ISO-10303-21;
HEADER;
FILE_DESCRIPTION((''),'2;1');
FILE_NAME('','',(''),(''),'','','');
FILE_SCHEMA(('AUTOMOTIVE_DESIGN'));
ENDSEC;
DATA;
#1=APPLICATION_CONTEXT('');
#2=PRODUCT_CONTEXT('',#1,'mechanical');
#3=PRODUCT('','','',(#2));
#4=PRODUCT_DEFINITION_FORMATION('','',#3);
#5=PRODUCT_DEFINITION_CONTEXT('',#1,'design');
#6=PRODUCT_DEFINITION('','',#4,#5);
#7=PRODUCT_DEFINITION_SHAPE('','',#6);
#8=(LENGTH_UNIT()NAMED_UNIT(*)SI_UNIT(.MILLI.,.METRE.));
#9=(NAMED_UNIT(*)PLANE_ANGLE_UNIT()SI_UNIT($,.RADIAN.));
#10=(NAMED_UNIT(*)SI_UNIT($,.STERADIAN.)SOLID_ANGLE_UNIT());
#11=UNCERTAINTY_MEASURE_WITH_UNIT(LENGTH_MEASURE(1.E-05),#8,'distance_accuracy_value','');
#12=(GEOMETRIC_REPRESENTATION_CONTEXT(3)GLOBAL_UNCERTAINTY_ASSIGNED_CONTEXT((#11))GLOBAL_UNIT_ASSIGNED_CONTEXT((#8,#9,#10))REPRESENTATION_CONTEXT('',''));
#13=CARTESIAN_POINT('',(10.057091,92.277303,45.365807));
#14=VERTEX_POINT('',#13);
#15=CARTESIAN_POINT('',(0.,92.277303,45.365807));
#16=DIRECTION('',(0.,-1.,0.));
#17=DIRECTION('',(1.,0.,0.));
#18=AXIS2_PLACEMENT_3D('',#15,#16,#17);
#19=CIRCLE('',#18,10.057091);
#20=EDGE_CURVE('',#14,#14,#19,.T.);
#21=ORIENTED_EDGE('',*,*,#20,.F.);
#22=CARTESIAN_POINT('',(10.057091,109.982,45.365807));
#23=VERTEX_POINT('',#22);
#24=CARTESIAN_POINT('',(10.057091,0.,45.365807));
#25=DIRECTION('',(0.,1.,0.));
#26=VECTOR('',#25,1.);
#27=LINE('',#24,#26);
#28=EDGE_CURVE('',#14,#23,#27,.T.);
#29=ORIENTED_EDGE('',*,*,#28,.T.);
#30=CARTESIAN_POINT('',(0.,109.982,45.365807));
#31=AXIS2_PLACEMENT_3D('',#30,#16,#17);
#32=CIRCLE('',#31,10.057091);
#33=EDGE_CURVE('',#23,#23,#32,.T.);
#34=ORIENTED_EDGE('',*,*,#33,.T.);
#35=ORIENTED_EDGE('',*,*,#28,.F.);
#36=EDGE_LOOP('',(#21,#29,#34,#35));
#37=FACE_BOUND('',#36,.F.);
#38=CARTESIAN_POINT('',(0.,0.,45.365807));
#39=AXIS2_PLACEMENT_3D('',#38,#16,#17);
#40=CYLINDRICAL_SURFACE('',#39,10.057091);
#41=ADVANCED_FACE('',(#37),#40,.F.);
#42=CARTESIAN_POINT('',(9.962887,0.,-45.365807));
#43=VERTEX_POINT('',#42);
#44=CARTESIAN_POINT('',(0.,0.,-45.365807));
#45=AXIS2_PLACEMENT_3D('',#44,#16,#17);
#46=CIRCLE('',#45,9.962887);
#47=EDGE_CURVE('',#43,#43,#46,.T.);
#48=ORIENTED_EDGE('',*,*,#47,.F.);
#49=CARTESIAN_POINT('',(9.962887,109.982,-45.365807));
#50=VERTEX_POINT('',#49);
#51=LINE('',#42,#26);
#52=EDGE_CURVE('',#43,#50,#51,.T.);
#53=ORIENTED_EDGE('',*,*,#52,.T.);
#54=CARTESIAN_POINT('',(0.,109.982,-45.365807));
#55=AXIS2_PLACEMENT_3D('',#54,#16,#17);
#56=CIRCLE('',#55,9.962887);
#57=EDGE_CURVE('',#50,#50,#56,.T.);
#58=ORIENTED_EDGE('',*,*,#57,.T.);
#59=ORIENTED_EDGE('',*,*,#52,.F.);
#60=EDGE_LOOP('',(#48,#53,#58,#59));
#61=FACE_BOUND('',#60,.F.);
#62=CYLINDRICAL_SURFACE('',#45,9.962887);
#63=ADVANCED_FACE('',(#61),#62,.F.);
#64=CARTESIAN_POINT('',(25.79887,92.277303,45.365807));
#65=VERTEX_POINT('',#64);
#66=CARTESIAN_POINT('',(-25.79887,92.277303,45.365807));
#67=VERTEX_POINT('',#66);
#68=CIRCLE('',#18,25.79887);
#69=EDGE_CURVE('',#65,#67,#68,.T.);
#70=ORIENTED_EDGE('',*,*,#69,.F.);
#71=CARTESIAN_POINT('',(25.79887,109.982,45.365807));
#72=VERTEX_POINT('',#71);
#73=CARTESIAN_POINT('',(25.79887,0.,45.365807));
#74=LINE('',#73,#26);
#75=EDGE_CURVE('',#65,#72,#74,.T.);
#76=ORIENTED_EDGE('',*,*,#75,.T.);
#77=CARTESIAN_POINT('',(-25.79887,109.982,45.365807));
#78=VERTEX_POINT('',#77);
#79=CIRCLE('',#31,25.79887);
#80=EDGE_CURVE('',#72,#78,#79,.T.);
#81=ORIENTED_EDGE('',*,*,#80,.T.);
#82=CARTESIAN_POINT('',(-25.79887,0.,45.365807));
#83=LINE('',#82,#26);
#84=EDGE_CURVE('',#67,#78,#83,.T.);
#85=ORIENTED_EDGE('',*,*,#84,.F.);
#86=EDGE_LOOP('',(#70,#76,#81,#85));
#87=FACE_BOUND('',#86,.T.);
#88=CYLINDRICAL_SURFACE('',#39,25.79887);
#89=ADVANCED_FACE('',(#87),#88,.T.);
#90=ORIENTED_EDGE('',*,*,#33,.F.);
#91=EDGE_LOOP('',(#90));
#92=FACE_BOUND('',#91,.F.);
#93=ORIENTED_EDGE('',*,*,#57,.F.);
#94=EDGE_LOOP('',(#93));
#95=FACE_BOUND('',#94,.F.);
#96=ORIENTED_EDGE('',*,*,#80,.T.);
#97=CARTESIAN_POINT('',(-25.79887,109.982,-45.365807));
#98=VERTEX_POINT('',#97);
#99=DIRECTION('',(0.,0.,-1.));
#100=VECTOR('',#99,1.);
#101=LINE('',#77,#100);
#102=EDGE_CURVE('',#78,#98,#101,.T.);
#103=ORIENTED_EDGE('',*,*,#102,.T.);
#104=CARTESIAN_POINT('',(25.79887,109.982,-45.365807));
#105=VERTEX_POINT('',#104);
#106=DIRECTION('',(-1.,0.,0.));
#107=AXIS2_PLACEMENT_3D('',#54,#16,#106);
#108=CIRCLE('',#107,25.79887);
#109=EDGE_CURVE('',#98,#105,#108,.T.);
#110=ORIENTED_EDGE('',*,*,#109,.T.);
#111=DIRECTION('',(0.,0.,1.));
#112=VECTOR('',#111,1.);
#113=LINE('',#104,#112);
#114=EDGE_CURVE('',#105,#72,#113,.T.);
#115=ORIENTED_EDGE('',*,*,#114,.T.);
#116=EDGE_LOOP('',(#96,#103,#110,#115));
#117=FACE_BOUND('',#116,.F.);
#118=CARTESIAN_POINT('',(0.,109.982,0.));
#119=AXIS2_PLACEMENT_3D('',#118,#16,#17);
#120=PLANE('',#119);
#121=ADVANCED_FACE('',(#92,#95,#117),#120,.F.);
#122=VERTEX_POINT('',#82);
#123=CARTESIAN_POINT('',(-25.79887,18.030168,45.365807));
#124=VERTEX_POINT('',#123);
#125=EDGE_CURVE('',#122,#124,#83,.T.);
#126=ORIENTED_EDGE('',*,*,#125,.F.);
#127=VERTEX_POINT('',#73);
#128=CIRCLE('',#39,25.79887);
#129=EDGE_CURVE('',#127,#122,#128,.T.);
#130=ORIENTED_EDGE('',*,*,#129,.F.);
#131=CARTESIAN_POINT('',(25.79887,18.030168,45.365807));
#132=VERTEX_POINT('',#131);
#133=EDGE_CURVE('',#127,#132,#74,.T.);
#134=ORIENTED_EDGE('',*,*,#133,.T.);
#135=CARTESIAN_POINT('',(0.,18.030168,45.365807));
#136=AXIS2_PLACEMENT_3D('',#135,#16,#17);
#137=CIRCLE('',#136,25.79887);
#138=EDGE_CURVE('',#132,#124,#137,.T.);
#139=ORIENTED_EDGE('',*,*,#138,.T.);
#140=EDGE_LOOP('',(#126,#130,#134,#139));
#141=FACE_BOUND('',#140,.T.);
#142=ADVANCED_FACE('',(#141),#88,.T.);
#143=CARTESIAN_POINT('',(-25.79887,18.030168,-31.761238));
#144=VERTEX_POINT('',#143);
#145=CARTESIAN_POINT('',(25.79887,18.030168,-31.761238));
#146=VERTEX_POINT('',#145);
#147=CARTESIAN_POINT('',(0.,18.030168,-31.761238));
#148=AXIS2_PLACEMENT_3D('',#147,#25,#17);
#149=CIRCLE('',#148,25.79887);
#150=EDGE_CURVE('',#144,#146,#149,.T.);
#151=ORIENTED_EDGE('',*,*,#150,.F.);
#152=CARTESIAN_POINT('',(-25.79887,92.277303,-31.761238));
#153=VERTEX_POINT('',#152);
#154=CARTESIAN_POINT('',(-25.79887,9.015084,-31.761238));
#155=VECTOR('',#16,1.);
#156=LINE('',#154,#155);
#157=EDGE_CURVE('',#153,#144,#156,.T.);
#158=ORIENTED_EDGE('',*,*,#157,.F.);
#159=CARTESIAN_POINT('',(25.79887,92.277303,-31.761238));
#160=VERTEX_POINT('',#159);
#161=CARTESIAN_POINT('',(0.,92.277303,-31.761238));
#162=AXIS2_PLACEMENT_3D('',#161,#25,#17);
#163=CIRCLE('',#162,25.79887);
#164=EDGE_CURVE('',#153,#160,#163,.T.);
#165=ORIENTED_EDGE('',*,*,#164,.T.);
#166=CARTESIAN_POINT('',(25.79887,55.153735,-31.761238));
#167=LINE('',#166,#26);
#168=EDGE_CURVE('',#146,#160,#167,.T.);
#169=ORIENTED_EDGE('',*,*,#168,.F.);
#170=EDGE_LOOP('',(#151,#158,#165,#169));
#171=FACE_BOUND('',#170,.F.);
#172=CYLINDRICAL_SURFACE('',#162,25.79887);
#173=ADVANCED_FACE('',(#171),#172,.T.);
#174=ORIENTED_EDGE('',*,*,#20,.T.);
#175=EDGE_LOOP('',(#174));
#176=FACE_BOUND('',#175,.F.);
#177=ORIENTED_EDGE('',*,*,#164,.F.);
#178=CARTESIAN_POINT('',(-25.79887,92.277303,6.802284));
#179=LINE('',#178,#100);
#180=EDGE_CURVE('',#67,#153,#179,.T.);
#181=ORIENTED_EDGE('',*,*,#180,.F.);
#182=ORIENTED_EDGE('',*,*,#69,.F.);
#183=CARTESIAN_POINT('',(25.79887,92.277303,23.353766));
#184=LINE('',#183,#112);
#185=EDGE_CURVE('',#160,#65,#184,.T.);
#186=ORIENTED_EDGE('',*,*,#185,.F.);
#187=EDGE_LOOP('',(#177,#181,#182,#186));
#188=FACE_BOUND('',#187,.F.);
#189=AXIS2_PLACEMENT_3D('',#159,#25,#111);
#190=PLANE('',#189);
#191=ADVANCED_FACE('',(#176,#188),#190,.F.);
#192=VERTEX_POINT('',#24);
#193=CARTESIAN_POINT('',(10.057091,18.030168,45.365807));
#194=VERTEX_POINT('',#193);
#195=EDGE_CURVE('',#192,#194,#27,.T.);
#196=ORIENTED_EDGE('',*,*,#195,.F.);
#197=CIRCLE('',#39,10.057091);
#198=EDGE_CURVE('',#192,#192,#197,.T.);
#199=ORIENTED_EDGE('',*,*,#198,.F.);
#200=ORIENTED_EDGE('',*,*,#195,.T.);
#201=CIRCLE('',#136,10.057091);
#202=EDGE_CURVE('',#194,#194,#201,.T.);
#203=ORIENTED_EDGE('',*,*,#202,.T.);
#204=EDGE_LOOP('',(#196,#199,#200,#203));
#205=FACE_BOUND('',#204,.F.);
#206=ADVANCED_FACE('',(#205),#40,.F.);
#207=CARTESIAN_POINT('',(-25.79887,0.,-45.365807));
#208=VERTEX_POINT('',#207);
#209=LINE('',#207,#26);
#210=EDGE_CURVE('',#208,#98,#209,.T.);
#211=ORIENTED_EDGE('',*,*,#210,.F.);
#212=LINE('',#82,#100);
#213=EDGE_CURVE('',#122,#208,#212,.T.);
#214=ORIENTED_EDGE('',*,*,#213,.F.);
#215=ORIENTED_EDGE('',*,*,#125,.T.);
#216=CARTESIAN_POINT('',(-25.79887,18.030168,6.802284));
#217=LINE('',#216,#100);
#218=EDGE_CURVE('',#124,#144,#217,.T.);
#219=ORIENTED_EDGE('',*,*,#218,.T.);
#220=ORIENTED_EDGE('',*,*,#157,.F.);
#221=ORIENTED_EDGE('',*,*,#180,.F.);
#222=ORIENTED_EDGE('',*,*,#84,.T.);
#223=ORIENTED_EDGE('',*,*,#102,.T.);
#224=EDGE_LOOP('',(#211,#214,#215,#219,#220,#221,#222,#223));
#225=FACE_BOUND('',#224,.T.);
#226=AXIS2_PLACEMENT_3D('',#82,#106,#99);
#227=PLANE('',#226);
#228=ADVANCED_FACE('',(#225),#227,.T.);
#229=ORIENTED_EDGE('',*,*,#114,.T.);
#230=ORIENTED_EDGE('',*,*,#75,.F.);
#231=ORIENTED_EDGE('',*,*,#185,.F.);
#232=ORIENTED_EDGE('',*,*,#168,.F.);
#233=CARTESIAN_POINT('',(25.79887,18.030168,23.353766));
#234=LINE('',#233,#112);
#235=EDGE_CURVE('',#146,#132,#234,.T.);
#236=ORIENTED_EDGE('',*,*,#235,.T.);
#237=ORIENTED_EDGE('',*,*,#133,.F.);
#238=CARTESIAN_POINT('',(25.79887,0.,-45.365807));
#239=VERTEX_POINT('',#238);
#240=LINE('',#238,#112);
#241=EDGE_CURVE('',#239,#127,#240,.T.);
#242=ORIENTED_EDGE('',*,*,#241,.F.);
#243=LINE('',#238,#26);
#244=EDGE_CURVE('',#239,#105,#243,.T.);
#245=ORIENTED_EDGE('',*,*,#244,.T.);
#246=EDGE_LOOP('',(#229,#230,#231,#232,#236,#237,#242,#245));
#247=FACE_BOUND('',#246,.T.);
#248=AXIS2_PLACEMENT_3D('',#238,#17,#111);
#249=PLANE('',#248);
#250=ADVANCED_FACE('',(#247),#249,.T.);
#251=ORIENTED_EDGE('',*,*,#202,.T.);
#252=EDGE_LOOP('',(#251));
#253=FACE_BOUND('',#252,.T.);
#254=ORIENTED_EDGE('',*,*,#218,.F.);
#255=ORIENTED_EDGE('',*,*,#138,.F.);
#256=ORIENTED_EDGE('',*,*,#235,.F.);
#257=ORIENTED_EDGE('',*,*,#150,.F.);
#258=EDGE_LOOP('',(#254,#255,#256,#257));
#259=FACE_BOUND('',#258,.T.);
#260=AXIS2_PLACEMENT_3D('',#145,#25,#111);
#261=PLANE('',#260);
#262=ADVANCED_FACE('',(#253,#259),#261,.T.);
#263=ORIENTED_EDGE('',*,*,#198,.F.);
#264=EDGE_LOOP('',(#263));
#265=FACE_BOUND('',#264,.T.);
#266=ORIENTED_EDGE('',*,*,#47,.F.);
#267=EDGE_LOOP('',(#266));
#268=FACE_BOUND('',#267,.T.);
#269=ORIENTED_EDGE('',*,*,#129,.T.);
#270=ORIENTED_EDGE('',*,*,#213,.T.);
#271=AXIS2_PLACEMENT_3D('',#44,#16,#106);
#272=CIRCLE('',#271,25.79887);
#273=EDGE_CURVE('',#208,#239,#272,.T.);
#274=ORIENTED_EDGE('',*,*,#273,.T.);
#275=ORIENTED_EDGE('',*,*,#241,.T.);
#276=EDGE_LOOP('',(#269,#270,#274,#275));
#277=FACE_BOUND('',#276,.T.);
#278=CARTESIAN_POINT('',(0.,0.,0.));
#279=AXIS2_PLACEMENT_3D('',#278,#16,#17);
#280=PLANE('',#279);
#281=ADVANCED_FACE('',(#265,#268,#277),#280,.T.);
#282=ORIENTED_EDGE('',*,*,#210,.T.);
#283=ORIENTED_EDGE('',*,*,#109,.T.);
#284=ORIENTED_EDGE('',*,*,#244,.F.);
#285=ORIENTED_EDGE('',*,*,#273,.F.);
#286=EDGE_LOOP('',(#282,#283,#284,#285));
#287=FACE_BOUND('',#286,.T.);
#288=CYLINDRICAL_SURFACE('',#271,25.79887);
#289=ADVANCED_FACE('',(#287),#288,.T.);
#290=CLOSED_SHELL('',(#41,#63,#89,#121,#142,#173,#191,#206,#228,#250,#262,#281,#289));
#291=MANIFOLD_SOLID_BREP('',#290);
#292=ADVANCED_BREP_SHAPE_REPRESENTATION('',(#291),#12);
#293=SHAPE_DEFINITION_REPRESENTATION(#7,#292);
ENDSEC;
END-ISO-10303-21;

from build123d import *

# Parameters (mm, degrees)
F0_R     = 9.962887
F0_R_2   = 10.057091
F1_DEPTH = 109.982
F2_W     = 74.247135
F2_H     = 110.230008
F3_DEPTH = 51.598741
F5_DEPTH = 79.502


with BuildPart() as f1:
    # F0 (on Front) → F1 (new body)
    with BuildSketch(Plane.XZ):
        with BuildLine():
            ThreePointArc((-25.79887, -45.365807), (0, -71.164677), (25.79887, -45.365807))
            Line((25.79887, -45.365807), (25.79887, 45.365807))
            ThreePointArc((25.79887, 45.365807), (0, 71.164677), (-25.79887, 45.365807))
            Line((-25.79887, 45.365807), (-25.79887, -45.365807))
        make_face()
        with Locations((0, -45.365807)):
            Circle(F0_R, mode=Mode.SUBTRACT)
        with Locations((0, 45.365807)):
            Circle(F0_R_2, mode=Mode.SUBTRACT)
    extrude(amount=-F1_DEPTH)

    # F2 (on face) → F3 (cut, through all)
    with BuildSketch(Plane.YZ.offset(25.79887)):
        with Locations((55.153735, 23.353766)):
            Rectangle(F2_W, F2_H)
    extrude(amount=-F3_DEPTH, mode=Mode.SUBTRACT)

    # F4 (on face) → F5 (join)
    with BuildSketch(Plane.XZ.offset(-92.277303)):
        with BuildLine():
            Line((-25.79887, -31.761238), (25.79887, -31.761238))
            ThreePointArc((25.79887, -31.761238), (0, -5.962368), (-25.79887, -31.761238))
        make_face()
    extrude(amount=F5_DEPTH)


solid = f1.part
